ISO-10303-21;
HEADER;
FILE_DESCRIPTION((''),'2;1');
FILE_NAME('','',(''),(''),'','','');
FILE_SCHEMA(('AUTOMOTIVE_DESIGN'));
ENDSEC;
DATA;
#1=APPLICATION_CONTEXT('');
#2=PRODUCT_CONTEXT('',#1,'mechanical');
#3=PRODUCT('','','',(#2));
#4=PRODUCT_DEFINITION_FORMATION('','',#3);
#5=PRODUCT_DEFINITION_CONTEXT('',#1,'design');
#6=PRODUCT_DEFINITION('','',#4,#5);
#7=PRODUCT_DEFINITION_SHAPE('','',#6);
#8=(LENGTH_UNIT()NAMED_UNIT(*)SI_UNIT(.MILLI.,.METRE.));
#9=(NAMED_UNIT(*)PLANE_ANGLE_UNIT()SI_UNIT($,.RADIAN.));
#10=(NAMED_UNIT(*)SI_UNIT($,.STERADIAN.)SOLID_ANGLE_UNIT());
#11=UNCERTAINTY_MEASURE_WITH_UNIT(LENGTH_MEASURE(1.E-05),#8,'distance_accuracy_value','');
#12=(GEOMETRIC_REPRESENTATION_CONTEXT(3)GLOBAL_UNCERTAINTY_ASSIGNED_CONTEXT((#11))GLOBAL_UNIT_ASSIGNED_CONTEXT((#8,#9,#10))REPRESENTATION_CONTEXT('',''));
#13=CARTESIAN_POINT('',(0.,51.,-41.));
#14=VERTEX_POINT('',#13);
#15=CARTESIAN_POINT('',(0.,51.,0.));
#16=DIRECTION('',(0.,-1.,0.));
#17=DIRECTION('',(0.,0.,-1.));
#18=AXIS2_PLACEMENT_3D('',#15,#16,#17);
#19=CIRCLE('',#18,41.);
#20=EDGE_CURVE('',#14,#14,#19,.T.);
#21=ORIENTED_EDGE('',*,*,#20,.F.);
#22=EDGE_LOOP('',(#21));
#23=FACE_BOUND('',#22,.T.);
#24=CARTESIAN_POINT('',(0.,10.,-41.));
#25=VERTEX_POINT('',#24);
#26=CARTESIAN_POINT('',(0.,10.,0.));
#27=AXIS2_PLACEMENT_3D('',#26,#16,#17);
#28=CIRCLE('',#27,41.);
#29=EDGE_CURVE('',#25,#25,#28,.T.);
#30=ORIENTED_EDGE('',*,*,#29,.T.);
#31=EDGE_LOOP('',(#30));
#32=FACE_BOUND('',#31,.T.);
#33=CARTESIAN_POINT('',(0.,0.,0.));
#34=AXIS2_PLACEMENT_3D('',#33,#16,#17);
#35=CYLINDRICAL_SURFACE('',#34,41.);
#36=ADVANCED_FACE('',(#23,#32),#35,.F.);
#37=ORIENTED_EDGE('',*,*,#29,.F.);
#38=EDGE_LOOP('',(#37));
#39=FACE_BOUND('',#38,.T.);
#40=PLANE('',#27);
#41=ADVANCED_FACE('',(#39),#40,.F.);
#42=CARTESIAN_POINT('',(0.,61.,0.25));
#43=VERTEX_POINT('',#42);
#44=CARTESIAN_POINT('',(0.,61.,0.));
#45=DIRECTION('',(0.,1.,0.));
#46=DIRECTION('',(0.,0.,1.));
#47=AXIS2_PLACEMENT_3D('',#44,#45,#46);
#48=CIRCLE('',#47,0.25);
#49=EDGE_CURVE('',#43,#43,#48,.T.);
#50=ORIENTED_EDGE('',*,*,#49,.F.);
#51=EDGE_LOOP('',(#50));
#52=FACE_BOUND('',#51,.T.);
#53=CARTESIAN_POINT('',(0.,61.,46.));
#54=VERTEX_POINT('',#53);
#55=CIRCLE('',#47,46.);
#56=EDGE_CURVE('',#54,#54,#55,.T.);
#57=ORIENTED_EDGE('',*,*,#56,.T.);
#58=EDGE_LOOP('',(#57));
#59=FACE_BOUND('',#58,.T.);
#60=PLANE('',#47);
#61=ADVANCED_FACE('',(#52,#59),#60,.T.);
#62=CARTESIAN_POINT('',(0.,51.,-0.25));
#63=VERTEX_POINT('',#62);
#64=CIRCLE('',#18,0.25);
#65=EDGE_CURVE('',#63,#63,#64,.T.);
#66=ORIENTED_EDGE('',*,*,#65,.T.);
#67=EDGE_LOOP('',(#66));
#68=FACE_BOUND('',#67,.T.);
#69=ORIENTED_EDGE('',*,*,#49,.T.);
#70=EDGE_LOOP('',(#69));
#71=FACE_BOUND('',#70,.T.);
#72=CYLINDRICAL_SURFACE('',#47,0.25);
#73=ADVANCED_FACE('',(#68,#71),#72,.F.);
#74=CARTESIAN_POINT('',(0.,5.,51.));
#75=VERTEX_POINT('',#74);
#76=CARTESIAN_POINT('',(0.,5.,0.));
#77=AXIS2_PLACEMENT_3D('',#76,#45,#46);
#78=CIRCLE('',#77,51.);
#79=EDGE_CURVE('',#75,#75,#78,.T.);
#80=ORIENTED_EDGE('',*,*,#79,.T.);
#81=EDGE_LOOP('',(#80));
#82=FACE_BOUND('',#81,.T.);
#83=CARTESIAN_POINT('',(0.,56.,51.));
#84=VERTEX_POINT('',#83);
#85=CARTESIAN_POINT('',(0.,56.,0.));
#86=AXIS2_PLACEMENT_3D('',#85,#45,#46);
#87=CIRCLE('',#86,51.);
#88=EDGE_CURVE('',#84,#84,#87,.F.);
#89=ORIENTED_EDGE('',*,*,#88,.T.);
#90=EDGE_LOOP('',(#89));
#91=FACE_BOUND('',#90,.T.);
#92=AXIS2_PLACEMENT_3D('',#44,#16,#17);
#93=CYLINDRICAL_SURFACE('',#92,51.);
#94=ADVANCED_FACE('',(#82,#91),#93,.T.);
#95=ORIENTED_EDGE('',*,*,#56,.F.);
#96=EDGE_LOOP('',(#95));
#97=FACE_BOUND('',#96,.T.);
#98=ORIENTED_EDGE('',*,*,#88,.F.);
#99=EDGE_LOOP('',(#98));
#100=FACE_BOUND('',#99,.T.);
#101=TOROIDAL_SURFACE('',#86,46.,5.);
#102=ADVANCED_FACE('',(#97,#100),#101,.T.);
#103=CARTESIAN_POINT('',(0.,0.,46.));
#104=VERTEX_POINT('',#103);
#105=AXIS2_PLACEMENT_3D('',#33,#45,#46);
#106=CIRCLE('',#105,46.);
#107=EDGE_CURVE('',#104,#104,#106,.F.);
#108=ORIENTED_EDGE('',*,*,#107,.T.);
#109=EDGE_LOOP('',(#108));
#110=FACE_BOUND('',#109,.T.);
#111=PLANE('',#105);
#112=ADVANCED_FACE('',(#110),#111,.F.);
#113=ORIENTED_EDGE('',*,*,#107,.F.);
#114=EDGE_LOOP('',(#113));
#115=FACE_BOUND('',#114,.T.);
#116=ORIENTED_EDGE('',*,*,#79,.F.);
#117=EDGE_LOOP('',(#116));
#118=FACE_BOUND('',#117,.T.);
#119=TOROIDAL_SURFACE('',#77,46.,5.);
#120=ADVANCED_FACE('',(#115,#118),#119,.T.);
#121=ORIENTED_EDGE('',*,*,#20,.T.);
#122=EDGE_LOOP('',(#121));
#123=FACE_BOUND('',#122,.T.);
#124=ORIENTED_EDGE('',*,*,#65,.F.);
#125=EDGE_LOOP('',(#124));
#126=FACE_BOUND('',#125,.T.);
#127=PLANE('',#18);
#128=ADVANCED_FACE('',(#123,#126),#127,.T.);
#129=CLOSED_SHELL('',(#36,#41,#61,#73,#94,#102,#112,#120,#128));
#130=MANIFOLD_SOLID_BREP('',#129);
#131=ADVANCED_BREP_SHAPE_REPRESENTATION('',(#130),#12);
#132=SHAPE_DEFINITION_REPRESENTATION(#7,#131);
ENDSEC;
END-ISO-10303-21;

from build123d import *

# Parameters (mm, degrees)
SKETCH_1_R      = 51
EXTRUDE_1_DEPTH = 61
FILLET_1_R      = 5
SKETCH_6_W      = 41
SKETCH_6_H      = 41
SKETCH_7_W      = 0.25
SKETCH_7_H      = 45.977886119


with BuildPart() as part:
    # 草图1 → 凸台-拉伸1 (new body)
    with BuildSketch(Plane(origin=(0, 0, 0), x_dir=(1, 0, 0), z_dir=(0, 1, 0))):
        Circle(SKETCH_1_R)
    extrude(amount=EXTRUDE_1_DEPTH)

    # 圆角1
    fillet_1_edges = [part.edges().sort_by_distance(p)[0] for p in [
        (-51, 0, 0),
        (-51, 61, 0),
    ]]
    fillet(fillet_1_edges, radius=FILLET_1_R)

    # 草图6 → 切除-旋转4 (revolve, cut)
    with BuildSketch(Plane.XY):
        with Locations((20.5, 30.5)):
            Rectangle(SKETCH_6_W, SKETCH_6_H)
    revolve(axis=Axis((0, 0, 0), (0, 1, 0)), mode=Mode.SUBTRACT)

    # 草图7 → 切除-旋转5 (revolve, cut)
    with BuildSketch(Plane.XY):
        with Locations((-0.125, 38.011056941)):
            Rectangle(SKETCH_7_W, SKETCH_7_H)
    revolve(axis=Axis((0, 61, 0), (0, -1, 0)), mode=Mode.SUBTRACT)


solid = part.part
